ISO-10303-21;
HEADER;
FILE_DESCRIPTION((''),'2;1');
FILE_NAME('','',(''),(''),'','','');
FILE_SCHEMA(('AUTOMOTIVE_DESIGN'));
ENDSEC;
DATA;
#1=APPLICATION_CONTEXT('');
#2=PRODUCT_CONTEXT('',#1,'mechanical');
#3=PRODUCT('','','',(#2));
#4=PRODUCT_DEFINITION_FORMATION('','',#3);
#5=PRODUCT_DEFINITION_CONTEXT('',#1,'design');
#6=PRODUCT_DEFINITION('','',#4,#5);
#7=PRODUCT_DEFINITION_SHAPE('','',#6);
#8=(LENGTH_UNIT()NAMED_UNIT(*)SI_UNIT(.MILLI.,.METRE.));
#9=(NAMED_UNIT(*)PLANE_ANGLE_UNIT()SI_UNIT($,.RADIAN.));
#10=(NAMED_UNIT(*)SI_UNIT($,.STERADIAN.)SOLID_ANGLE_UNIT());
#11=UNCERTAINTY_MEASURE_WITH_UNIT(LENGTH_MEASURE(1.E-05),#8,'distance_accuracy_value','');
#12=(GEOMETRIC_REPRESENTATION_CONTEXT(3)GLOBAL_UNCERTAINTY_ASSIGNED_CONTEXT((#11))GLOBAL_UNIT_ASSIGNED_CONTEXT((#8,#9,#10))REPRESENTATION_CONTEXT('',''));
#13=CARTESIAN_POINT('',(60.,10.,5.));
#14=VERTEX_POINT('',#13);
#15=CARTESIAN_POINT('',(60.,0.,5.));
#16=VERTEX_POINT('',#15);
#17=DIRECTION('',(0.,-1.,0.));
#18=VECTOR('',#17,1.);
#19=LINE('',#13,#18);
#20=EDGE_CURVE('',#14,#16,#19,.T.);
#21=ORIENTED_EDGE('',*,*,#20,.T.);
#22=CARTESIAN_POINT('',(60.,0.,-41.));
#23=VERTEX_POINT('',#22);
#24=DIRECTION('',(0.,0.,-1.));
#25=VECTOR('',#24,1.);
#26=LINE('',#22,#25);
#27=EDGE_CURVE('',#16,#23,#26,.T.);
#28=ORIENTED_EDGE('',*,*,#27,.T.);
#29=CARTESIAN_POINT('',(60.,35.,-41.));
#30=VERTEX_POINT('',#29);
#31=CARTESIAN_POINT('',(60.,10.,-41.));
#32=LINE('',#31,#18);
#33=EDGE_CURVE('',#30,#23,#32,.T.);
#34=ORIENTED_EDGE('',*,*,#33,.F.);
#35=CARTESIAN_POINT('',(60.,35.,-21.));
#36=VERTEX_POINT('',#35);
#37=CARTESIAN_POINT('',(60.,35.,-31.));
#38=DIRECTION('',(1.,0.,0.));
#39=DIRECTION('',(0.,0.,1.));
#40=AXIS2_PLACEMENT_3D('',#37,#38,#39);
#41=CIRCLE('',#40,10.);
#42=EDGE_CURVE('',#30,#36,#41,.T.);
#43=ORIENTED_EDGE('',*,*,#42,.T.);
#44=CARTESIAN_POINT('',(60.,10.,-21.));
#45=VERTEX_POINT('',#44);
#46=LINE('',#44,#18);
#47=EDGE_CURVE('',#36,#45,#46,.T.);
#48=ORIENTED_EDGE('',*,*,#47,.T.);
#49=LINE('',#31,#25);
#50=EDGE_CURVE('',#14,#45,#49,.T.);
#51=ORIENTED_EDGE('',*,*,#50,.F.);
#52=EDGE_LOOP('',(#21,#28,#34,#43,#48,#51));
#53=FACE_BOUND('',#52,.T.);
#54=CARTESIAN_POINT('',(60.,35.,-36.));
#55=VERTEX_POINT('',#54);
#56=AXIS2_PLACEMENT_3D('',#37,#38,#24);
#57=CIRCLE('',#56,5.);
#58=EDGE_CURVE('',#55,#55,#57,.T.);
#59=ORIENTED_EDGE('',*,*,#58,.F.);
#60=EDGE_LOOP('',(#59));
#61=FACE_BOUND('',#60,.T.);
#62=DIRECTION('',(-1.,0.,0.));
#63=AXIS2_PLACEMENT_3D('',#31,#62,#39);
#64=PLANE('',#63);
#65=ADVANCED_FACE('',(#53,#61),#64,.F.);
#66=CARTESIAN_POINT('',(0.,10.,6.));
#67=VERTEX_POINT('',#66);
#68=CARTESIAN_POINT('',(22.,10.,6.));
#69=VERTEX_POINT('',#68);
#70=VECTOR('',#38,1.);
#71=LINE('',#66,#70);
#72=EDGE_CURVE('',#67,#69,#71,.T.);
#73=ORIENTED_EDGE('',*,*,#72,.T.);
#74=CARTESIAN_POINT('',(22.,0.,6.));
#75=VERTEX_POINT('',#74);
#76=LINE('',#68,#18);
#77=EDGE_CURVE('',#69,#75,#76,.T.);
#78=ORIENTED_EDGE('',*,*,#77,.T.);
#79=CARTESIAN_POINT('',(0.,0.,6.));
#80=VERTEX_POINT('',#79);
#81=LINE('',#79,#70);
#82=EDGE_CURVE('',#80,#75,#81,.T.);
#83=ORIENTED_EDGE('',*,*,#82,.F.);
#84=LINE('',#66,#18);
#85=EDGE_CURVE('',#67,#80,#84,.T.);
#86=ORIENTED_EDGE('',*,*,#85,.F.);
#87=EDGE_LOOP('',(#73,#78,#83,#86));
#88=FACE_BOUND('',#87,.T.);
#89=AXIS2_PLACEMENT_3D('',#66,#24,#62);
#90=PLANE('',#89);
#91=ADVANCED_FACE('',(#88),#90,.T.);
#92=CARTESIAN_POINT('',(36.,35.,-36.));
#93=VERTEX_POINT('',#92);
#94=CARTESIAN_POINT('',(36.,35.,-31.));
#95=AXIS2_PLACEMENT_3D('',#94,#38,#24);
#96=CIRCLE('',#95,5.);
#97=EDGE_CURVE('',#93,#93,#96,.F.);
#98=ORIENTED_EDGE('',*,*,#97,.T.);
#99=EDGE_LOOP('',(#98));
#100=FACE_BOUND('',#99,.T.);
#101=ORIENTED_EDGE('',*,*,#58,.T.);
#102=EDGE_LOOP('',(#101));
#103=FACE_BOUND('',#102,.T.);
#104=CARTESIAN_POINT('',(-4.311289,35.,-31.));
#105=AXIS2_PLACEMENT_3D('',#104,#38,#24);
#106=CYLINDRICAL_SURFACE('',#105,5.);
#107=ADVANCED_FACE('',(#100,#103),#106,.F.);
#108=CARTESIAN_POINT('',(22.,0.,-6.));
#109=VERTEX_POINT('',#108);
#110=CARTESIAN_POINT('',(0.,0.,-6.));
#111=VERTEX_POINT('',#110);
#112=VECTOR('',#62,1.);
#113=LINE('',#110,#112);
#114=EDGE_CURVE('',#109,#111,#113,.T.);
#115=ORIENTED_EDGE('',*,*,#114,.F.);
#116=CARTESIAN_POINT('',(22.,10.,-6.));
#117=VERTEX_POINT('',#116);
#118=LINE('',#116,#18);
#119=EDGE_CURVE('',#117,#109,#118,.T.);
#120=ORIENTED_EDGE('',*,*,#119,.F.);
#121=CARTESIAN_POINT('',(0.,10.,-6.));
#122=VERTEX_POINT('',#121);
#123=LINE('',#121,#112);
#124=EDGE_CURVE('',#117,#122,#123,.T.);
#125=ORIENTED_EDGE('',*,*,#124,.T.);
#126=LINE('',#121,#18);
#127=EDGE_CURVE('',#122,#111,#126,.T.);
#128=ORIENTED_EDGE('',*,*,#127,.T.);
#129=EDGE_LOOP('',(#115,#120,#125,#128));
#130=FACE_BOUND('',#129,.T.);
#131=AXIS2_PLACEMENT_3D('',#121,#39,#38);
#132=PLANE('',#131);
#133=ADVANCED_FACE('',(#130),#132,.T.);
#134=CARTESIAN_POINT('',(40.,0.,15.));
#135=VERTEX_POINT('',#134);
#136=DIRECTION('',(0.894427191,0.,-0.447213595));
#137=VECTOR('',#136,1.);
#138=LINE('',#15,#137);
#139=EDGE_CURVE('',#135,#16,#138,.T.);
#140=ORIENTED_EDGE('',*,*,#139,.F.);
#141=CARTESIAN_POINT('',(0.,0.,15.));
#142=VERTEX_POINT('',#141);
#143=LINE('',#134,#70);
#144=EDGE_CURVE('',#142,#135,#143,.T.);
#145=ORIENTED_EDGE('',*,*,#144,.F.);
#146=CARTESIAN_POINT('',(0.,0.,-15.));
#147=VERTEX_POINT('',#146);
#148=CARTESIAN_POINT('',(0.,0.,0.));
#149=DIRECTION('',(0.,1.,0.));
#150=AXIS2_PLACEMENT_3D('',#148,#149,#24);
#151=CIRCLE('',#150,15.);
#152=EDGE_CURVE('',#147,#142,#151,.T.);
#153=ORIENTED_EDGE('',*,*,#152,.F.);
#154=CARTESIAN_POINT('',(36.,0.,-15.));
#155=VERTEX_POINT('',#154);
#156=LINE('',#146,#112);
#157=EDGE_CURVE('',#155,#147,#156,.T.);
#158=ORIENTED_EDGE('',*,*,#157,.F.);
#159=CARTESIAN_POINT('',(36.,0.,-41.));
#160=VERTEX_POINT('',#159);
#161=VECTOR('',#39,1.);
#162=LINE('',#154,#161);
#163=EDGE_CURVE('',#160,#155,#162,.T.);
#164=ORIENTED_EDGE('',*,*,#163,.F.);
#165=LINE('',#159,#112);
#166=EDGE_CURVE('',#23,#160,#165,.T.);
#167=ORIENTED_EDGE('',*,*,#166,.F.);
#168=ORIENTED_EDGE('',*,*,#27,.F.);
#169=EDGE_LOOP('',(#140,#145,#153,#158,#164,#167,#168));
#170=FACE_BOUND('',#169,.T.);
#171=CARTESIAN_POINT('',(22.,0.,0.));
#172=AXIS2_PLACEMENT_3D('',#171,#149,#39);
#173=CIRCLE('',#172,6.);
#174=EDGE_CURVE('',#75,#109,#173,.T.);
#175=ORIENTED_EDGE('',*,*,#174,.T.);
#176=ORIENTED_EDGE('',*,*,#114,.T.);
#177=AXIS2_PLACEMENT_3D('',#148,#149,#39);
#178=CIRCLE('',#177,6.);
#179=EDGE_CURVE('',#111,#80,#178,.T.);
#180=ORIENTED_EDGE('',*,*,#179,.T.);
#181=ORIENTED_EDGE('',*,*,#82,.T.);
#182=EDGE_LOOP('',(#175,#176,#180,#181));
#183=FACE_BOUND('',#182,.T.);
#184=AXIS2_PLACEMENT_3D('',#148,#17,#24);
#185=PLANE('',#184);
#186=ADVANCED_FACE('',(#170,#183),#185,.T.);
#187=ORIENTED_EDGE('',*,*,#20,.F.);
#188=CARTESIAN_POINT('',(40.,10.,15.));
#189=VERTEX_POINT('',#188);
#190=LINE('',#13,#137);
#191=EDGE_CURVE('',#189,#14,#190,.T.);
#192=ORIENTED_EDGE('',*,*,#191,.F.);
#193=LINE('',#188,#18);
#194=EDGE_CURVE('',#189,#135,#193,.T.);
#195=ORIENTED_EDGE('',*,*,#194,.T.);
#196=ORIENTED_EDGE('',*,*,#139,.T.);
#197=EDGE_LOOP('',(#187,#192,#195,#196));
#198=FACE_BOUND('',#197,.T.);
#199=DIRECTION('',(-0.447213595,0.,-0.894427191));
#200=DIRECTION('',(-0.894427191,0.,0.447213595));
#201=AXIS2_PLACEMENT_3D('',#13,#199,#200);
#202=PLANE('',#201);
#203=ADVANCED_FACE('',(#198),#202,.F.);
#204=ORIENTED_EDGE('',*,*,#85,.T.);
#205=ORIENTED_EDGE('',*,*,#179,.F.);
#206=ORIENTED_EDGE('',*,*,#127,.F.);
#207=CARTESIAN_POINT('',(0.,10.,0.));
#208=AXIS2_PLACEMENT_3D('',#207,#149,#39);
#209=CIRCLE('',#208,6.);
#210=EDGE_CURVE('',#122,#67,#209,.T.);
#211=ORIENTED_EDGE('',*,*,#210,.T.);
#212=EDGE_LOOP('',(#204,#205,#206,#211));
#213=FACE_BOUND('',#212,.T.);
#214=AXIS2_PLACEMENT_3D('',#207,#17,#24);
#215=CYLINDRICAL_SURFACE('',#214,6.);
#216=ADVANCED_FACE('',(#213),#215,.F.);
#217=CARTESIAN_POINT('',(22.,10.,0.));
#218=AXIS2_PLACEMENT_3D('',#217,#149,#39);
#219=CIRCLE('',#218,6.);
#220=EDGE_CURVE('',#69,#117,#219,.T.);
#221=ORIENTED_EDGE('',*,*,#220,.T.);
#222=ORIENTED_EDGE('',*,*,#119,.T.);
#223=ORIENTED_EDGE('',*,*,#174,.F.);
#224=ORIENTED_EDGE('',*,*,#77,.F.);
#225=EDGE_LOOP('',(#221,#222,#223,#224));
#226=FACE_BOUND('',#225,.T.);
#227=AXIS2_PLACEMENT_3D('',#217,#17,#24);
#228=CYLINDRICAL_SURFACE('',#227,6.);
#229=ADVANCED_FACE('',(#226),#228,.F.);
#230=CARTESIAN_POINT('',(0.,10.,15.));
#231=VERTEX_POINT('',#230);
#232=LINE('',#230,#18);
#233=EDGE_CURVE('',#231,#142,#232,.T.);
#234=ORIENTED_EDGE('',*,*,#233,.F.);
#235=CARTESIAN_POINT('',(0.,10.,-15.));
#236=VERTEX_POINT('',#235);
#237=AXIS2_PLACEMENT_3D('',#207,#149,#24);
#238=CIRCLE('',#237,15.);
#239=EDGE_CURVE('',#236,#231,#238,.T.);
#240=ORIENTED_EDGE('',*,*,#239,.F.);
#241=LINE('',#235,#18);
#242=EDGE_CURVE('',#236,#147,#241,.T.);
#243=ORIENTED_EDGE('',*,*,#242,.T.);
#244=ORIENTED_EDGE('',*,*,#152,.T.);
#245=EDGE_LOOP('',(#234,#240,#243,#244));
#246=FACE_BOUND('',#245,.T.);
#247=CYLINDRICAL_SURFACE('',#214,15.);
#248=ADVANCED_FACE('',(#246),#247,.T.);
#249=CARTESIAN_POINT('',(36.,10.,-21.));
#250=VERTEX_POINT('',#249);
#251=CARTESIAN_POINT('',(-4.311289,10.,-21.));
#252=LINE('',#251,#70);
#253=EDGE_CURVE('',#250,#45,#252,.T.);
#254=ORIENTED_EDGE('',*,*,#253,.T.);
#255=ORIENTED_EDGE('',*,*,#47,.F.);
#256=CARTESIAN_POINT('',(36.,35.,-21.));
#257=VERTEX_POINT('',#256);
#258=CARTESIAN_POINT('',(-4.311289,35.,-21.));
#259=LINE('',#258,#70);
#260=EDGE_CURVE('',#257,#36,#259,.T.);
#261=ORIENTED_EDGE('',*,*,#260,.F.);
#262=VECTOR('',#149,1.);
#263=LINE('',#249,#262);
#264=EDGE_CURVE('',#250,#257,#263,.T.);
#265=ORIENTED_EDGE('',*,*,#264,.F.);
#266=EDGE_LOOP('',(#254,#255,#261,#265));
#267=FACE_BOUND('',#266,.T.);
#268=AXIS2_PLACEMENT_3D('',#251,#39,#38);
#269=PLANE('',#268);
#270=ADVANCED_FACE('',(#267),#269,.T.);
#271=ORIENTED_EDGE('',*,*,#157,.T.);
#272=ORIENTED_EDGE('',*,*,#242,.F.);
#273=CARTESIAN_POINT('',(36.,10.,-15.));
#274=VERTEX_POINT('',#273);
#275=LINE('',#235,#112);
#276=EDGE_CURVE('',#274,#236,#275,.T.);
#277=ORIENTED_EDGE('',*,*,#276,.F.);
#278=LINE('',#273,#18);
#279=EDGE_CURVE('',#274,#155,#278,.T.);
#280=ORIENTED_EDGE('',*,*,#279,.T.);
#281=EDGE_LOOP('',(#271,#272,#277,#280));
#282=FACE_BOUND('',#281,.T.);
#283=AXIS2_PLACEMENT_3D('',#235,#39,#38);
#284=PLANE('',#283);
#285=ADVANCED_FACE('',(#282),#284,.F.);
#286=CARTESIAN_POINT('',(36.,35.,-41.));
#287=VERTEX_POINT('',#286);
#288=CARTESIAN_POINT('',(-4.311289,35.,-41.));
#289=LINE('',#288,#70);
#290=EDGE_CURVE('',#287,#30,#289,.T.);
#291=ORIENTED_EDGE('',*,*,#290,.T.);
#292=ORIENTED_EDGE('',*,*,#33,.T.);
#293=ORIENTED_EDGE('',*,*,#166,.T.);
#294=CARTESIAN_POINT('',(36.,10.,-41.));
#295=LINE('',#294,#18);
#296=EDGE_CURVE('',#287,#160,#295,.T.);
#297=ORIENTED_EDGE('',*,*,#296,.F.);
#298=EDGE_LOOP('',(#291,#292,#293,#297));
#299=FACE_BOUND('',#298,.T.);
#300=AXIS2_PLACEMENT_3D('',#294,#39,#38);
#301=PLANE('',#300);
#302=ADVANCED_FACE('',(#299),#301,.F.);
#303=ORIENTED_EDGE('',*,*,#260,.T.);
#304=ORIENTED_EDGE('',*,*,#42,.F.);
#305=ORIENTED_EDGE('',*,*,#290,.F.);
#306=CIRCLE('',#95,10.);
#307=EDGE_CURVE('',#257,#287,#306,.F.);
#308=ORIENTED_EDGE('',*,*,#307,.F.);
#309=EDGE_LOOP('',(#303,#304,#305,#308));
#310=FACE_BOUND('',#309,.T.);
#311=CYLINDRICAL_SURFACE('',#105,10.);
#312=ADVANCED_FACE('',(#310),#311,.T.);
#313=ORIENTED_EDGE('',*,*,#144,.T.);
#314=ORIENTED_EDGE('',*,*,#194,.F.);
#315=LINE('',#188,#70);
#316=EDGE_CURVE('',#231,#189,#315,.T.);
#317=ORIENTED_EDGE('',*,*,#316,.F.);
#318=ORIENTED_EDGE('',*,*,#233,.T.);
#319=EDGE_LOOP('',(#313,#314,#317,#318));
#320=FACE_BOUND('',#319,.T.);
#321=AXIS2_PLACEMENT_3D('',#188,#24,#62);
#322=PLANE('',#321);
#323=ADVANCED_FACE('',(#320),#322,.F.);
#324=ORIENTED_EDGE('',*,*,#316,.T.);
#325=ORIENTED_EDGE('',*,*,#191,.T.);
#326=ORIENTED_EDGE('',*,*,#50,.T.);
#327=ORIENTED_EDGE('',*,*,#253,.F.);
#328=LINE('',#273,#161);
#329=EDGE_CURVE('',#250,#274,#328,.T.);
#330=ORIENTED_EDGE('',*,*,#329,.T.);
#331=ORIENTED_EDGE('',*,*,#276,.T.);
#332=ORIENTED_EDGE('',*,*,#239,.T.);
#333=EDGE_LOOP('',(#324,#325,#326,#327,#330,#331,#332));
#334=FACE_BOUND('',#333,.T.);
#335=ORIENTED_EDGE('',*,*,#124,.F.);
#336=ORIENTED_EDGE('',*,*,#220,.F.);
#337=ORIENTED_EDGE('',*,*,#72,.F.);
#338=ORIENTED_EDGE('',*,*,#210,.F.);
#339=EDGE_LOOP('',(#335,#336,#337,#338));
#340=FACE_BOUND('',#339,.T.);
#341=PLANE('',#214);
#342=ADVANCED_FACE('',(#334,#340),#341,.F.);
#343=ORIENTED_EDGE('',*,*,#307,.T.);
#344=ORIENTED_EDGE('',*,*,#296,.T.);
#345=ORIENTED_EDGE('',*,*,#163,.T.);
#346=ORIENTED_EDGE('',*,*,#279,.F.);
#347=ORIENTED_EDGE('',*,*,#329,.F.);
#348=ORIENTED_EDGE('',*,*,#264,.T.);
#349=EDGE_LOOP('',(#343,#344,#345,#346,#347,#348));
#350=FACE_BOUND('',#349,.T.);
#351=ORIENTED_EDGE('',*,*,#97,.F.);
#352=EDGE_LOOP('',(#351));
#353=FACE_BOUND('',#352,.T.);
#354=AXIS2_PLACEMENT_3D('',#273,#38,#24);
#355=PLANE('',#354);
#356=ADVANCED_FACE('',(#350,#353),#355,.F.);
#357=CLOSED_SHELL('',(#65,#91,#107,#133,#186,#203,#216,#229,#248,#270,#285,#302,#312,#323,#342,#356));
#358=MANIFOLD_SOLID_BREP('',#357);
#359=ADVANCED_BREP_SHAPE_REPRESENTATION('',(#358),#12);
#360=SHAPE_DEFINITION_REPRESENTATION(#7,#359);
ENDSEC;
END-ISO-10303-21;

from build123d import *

# Parameters (mm, degrees)
EXTRUDE_1_DEPTH = 10
SKETCH_3_R      = 5
EXTRUDE_2_DEPTH = 24


with BuildPart() as part:
    # 草图1 → 凸台-拉伸1 (new body)
    with BuildSketch(Plane(origin=(0, 0, 0), x_dir=(1, 0, 0), z_dir=(0, 1, 0))):
        with BuildLine():
            Line((0, 15), (36, 15))
            Line((36, 15), (36, 41))
            Line((36, 41), (60, 41))
            Line((60, 41), (60, -5))
            Line((60, -5), (40, -15))
            Line((40, -15), (0, -15))
            ThreePointArc((0, -15), (-15, 0), (0, 15))
        make_face()
        with BuildLine():
            Line((0, 6), (22, 6))
            ThreePointArc((22, 6), (28, 0), (22, -6))
            Line((22, -6), (0, -6))
            ThreePointArc((0, -6), (-6, 0), (0, 6))
        make_face(mode=Mode.SUBTRACT)
    extrude(amount=EXTRUDE_1_DEPTH)

    # 草图3 → 凸台-拉伸2 (add)
    with BuildSketch(Plane(origin=(60, 0, 0), x_dir=(0, 0, -1), z_dir=(1, 0, 0))):
        with BuildLine():
            Line((41, 10), (21, 10))
            Line((21, 10), (21, 35))
            ThreePointArc((21, 35), (31, 45), (41, 35))
            Line((41, 35), (41, 10))
        make_face()
        with Locations((31, 35)):
            Circle(SKETCH_3_R, mode=Mode.SUBTRACT)
    extrude(amount=-EXTRUDE_2_DEPTH)


solid = part.part
